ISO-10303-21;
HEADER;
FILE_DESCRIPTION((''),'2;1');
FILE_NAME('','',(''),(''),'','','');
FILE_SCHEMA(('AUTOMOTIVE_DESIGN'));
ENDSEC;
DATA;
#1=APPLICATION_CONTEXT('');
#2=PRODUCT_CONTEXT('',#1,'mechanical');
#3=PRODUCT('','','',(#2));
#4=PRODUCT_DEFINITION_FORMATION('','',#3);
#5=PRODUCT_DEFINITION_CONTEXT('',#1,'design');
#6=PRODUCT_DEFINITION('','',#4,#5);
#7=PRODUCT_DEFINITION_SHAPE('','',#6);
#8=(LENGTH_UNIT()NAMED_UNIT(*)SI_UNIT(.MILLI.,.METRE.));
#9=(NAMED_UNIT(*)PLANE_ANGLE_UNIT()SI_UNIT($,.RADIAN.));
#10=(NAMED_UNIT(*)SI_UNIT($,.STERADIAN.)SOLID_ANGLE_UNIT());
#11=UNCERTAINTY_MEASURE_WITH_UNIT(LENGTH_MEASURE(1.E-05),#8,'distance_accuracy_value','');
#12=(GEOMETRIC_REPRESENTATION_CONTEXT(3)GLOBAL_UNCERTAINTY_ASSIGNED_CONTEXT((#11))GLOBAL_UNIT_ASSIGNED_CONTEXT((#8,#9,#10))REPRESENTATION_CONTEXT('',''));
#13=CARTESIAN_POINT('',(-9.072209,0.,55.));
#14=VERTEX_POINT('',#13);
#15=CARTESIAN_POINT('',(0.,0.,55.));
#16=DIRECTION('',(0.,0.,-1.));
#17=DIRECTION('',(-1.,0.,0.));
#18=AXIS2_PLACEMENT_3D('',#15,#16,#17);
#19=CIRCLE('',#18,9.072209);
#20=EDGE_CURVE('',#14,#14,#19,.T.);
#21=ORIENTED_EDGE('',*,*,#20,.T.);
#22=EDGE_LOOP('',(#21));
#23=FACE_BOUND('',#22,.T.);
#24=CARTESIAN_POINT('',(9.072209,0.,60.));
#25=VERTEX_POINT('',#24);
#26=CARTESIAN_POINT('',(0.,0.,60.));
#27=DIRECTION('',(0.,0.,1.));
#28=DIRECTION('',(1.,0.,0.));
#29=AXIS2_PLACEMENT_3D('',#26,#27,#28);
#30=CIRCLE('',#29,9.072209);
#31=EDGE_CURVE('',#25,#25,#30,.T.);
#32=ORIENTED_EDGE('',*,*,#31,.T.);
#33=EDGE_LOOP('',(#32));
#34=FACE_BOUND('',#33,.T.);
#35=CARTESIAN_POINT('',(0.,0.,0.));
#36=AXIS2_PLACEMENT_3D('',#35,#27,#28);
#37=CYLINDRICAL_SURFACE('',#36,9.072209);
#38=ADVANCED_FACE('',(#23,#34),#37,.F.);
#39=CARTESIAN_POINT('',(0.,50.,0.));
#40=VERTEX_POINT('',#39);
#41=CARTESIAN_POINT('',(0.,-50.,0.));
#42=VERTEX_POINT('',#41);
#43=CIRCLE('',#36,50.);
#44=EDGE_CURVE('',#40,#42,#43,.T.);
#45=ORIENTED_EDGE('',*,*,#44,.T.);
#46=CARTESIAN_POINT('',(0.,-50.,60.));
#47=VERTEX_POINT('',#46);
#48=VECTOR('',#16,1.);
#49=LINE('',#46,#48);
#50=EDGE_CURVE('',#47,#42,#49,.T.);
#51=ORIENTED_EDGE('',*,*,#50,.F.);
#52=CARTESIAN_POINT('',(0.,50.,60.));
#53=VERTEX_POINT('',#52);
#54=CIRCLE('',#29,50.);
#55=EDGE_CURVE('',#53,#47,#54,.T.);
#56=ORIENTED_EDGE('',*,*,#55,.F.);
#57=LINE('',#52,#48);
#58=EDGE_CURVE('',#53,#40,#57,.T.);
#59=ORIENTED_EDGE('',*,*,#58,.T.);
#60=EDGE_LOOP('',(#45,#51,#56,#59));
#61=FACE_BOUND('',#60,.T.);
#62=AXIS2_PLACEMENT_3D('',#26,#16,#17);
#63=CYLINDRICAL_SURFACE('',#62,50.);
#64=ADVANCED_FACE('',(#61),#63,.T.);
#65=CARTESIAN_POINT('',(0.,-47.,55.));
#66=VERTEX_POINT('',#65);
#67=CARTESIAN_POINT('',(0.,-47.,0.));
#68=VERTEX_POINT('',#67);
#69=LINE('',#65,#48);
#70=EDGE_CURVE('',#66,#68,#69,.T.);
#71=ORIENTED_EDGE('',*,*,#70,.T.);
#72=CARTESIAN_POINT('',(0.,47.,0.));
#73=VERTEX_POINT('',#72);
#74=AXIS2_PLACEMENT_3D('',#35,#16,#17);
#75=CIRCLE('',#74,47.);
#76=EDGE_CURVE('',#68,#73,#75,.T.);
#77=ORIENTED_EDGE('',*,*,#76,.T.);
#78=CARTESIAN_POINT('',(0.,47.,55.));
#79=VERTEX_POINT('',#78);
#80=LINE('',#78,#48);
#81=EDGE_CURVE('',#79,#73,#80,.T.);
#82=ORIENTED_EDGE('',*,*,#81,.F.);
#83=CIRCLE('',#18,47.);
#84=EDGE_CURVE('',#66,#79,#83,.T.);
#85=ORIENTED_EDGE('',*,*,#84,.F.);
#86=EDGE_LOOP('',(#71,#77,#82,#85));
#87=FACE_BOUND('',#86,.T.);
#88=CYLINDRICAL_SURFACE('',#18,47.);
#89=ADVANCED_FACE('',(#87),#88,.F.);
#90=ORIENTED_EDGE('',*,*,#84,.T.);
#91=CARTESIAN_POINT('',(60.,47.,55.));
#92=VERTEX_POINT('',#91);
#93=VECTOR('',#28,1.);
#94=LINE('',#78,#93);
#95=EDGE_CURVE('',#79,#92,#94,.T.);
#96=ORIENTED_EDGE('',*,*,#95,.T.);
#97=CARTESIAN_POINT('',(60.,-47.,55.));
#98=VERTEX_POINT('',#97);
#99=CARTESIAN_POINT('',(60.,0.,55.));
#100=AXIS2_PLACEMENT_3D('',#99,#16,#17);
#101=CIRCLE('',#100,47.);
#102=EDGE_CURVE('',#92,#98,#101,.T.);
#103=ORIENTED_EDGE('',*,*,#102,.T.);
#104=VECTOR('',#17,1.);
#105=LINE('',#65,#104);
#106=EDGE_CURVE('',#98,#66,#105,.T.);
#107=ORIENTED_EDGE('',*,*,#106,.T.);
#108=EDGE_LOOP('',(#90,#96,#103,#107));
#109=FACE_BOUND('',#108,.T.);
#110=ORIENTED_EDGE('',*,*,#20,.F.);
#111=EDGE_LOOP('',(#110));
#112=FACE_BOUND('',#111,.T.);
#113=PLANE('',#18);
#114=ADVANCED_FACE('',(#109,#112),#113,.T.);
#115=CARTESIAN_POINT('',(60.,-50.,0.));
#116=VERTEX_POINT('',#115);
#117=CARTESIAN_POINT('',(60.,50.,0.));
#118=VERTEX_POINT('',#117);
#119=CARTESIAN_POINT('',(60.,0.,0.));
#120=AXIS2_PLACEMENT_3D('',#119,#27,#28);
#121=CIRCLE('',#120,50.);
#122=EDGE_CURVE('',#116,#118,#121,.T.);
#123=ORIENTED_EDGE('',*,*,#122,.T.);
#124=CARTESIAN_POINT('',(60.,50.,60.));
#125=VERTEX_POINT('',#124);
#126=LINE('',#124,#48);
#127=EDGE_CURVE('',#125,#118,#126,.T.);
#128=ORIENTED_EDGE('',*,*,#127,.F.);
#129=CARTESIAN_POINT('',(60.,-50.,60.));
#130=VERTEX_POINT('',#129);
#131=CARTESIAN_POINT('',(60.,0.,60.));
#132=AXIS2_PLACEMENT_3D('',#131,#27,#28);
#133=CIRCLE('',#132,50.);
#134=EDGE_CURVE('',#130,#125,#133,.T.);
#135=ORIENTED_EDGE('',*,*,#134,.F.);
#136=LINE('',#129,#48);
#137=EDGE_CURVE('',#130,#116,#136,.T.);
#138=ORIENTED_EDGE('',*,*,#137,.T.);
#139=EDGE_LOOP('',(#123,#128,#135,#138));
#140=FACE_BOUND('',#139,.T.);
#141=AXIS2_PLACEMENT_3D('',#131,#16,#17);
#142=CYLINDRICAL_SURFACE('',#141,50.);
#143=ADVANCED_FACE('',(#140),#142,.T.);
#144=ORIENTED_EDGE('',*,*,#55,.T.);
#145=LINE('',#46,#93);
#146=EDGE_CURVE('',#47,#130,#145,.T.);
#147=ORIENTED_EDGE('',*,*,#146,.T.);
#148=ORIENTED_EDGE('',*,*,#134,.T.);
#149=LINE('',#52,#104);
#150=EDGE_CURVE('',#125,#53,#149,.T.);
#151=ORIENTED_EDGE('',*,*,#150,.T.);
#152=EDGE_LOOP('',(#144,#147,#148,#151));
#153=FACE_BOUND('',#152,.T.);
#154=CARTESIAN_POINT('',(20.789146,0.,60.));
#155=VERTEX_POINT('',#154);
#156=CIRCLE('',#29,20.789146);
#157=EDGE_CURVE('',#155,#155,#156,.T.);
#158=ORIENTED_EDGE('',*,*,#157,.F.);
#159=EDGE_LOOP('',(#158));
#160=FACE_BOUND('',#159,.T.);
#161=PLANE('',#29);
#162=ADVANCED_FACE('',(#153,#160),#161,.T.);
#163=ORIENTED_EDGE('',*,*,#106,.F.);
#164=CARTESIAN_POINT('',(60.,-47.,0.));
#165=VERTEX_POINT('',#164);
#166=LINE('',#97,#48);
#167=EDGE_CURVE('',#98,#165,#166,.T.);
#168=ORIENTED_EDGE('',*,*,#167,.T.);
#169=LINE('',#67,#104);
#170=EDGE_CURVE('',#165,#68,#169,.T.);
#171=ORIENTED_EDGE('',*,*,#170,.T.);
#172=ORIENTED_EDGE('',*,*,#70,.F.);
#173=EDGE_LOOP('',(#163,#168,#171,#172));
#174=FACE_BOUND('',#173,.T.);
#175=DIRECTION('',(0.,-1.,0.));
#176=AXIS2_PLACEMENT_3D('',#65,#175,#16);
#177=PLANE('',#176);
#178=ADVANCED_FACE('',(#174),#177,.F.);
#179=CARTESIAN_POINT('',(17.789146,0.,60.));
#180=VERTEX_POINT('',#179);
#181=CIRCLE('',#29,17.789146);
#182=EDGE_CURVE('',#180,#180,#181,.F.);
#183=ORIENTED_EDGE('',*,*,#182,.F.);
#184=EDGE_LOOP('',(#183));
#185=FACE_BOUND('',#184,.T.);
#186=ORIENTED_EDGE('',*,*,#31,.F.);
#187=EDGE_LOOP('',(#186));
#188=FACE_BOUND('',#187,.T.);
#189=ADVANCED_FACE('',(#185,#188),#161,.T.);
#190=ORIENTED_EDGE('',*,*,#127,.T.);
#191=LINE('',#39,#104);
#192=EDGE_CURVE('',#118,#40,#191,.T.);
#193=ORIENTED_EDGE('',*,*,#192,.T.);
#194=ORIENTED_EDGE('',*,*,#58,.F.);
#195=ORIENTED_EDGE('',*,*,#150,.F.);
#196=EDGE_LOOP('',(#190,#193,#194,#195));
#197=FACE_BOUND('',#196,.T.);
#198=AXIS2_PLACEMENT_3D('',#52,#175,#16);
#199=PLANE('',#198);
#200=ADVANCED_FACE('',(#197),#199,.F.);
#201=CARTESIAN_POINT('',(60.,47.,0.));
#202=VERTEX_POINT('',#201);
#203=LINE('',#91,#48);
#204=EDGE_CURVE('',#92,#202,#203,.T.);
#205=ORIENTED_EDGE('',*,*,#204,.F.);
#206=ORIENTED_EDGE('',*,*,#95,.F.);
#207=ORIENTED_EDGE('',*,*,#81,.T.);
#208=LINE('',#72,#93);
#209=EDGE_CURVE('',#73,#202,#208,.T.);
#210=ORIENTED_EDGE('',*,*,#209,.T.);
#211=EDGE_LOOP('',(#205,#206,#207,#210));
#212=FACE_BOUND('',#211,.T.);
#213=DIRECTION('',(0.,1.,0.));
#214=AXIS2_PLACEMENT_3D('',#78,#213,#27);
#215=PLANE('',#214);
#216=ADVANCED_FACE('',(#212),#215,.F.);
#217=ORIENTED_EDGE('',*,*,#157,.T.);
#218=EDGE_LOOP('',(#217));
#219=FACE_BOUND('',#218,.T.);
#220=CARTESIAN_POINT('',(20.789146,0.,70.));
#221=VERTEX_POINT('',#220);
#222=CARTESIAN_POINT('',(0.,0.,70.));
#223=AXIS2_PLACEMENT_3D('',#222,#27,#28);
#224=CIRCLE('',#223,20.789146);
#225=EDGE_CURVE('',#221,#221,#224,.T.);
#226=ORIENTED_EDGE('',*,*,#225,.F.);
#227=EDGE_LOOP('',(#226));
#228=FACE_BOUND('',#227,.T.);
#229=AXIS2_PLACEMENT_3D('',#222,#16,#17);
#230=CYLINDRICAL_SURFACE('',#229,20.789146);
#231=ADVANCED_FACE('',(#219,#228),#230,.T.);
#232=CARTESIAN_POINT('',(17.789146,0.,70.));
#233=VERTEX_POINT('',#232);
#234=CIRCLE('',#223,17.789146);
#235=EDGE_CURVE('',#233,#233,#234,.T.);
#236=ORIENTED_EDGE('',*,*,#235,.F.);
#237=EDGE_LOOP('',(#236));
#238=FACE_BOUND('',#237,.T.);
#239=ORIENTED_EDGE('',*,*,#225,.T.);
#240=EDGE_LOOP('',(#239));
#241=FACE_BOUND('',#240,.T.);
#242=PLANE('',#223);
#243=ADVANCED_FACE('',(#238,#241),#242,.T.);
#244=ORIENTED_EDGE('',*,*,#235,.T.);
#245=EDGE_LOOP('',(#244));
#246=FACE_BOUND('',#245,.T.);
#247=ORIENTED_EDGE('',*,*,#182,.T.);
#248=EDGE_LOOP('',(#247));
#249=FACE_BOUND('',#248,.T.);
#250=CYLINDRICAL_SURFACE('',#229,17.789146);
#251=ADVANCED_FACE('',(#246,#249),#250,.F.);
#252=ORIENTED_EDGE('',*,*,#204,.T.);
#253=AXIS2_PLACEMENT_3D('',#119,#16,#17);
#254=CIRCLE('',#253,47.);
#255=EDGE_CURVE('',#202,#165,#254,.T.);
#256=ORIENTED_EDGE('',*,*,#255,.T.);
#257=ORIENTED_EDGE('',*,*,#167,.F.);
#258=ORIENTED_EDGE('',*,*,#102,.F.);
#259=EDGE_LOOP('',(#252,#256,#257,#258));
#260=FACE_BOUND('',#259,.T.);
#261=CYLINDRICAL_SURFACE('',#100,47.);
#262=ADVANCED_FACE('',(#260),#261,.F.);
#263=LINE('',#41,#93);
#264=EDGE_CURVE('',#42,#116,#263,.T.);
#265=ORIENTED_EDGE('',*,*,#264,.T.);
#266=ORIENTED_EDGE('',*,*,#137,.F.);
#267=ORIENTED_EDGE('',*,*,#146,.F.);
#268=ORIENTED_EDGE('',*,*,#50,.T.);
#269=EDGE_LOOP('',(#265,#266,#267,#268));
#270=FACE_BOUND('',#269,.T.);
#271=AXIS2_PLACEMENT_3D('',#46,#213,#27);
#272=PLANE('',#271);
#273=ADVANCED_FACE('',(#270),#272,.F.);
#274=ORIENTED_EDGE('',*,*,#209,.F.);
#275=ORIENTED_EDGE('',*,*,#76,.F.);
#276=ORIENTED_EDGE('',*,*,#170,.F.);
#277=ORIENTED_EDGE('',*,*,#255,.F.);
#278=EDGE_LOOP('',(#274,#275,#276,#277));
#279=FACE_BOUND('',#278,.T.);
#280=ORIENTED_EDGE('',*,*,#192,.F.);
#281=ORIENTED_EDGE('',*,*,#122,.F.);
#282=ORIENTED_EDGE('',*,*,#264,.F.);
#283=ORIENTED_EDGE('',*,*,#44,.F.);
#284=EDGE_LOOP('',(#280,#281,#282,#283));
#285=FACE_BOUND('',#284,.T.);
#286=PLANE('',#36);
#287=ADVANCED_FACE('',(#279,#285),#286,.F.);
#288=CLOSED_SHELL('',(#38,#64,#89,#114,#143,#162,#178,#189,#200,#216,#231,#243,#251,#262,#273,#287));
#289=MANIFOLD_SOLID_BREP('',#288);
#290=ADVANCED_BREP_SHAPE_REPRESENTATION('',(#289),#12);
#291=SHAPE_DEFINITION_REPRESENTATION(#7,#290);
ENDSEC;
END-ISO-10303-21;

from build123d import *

# Parameters (mm, degrees)
EXTRUDE_1_DEPTH     = 60
CUT_EXTRUDE_1_DEPTH = 55
SKETCH_3_R          = 20.789145554
SKETCH_3_R_2        = 17.789145554
EXTRUDE_2_DEPTH     = 10
SKETCH_4_R          = 9.072208596
CUT_EXTRUDE_5_DEPTH = 135.907375632


with BuildPart() as part:
    # 草图1 → 凸台-拉伸1 (new body)
    with BuildSketch(Plane.XY):
        with BuildLine():
            Line((0, 50), (60, 50))
            ThreePointArc((60, 50), (110, 0), (60, -50))
            Line((60, -50), (0, -50))
            ThreePointArc((0, -50), (-50, 0), (0, 50))
        make_face()
    extrude(amount=EXTRUDE_1_DEPTH)

    # 草图2 → 切除-拉伸1 (cut)
    with BuildSketch(Plane(origin=(0, 0, 0), x_dir=(-1, 0, 0), z_dir=(0, 0, -1))):
        with BuildLine():
            Line((-60, -47), (0, -47))
            ThreePointArc((0, -47), (47, 0), (0, 47))
            Line((0, 47), (-60, 47))
            ThreePointArc((-60, 47), (-107, 0), (-60, -47))
        make_face()
    extrude(amount=-CUT_EXTRUDE_1_DEPTH, mode=Mode.SUBTRACT)

    # 草图3 → 凸台-拉伸2 (add)
    with BuildSketch(Plane.XY.offset(60)):
        Circle(SKETCH_3_R)
        Circle(SKETCH_3_R_2, mode=Mode.SUBTRACT)
    extrude(amount=EXTRUDE_2_DEPTH)

    # 草图4 → 切除-拉伸5 (cut, through all)
    with BuildSketch(Plane.XY.offset(60)):
        Circle(SKETCH_4_R)
    extrude(amount=-CUT_EXTRUDE_5_DEPTH, mode=Mode.SUBTRACT)


solid = part.part
